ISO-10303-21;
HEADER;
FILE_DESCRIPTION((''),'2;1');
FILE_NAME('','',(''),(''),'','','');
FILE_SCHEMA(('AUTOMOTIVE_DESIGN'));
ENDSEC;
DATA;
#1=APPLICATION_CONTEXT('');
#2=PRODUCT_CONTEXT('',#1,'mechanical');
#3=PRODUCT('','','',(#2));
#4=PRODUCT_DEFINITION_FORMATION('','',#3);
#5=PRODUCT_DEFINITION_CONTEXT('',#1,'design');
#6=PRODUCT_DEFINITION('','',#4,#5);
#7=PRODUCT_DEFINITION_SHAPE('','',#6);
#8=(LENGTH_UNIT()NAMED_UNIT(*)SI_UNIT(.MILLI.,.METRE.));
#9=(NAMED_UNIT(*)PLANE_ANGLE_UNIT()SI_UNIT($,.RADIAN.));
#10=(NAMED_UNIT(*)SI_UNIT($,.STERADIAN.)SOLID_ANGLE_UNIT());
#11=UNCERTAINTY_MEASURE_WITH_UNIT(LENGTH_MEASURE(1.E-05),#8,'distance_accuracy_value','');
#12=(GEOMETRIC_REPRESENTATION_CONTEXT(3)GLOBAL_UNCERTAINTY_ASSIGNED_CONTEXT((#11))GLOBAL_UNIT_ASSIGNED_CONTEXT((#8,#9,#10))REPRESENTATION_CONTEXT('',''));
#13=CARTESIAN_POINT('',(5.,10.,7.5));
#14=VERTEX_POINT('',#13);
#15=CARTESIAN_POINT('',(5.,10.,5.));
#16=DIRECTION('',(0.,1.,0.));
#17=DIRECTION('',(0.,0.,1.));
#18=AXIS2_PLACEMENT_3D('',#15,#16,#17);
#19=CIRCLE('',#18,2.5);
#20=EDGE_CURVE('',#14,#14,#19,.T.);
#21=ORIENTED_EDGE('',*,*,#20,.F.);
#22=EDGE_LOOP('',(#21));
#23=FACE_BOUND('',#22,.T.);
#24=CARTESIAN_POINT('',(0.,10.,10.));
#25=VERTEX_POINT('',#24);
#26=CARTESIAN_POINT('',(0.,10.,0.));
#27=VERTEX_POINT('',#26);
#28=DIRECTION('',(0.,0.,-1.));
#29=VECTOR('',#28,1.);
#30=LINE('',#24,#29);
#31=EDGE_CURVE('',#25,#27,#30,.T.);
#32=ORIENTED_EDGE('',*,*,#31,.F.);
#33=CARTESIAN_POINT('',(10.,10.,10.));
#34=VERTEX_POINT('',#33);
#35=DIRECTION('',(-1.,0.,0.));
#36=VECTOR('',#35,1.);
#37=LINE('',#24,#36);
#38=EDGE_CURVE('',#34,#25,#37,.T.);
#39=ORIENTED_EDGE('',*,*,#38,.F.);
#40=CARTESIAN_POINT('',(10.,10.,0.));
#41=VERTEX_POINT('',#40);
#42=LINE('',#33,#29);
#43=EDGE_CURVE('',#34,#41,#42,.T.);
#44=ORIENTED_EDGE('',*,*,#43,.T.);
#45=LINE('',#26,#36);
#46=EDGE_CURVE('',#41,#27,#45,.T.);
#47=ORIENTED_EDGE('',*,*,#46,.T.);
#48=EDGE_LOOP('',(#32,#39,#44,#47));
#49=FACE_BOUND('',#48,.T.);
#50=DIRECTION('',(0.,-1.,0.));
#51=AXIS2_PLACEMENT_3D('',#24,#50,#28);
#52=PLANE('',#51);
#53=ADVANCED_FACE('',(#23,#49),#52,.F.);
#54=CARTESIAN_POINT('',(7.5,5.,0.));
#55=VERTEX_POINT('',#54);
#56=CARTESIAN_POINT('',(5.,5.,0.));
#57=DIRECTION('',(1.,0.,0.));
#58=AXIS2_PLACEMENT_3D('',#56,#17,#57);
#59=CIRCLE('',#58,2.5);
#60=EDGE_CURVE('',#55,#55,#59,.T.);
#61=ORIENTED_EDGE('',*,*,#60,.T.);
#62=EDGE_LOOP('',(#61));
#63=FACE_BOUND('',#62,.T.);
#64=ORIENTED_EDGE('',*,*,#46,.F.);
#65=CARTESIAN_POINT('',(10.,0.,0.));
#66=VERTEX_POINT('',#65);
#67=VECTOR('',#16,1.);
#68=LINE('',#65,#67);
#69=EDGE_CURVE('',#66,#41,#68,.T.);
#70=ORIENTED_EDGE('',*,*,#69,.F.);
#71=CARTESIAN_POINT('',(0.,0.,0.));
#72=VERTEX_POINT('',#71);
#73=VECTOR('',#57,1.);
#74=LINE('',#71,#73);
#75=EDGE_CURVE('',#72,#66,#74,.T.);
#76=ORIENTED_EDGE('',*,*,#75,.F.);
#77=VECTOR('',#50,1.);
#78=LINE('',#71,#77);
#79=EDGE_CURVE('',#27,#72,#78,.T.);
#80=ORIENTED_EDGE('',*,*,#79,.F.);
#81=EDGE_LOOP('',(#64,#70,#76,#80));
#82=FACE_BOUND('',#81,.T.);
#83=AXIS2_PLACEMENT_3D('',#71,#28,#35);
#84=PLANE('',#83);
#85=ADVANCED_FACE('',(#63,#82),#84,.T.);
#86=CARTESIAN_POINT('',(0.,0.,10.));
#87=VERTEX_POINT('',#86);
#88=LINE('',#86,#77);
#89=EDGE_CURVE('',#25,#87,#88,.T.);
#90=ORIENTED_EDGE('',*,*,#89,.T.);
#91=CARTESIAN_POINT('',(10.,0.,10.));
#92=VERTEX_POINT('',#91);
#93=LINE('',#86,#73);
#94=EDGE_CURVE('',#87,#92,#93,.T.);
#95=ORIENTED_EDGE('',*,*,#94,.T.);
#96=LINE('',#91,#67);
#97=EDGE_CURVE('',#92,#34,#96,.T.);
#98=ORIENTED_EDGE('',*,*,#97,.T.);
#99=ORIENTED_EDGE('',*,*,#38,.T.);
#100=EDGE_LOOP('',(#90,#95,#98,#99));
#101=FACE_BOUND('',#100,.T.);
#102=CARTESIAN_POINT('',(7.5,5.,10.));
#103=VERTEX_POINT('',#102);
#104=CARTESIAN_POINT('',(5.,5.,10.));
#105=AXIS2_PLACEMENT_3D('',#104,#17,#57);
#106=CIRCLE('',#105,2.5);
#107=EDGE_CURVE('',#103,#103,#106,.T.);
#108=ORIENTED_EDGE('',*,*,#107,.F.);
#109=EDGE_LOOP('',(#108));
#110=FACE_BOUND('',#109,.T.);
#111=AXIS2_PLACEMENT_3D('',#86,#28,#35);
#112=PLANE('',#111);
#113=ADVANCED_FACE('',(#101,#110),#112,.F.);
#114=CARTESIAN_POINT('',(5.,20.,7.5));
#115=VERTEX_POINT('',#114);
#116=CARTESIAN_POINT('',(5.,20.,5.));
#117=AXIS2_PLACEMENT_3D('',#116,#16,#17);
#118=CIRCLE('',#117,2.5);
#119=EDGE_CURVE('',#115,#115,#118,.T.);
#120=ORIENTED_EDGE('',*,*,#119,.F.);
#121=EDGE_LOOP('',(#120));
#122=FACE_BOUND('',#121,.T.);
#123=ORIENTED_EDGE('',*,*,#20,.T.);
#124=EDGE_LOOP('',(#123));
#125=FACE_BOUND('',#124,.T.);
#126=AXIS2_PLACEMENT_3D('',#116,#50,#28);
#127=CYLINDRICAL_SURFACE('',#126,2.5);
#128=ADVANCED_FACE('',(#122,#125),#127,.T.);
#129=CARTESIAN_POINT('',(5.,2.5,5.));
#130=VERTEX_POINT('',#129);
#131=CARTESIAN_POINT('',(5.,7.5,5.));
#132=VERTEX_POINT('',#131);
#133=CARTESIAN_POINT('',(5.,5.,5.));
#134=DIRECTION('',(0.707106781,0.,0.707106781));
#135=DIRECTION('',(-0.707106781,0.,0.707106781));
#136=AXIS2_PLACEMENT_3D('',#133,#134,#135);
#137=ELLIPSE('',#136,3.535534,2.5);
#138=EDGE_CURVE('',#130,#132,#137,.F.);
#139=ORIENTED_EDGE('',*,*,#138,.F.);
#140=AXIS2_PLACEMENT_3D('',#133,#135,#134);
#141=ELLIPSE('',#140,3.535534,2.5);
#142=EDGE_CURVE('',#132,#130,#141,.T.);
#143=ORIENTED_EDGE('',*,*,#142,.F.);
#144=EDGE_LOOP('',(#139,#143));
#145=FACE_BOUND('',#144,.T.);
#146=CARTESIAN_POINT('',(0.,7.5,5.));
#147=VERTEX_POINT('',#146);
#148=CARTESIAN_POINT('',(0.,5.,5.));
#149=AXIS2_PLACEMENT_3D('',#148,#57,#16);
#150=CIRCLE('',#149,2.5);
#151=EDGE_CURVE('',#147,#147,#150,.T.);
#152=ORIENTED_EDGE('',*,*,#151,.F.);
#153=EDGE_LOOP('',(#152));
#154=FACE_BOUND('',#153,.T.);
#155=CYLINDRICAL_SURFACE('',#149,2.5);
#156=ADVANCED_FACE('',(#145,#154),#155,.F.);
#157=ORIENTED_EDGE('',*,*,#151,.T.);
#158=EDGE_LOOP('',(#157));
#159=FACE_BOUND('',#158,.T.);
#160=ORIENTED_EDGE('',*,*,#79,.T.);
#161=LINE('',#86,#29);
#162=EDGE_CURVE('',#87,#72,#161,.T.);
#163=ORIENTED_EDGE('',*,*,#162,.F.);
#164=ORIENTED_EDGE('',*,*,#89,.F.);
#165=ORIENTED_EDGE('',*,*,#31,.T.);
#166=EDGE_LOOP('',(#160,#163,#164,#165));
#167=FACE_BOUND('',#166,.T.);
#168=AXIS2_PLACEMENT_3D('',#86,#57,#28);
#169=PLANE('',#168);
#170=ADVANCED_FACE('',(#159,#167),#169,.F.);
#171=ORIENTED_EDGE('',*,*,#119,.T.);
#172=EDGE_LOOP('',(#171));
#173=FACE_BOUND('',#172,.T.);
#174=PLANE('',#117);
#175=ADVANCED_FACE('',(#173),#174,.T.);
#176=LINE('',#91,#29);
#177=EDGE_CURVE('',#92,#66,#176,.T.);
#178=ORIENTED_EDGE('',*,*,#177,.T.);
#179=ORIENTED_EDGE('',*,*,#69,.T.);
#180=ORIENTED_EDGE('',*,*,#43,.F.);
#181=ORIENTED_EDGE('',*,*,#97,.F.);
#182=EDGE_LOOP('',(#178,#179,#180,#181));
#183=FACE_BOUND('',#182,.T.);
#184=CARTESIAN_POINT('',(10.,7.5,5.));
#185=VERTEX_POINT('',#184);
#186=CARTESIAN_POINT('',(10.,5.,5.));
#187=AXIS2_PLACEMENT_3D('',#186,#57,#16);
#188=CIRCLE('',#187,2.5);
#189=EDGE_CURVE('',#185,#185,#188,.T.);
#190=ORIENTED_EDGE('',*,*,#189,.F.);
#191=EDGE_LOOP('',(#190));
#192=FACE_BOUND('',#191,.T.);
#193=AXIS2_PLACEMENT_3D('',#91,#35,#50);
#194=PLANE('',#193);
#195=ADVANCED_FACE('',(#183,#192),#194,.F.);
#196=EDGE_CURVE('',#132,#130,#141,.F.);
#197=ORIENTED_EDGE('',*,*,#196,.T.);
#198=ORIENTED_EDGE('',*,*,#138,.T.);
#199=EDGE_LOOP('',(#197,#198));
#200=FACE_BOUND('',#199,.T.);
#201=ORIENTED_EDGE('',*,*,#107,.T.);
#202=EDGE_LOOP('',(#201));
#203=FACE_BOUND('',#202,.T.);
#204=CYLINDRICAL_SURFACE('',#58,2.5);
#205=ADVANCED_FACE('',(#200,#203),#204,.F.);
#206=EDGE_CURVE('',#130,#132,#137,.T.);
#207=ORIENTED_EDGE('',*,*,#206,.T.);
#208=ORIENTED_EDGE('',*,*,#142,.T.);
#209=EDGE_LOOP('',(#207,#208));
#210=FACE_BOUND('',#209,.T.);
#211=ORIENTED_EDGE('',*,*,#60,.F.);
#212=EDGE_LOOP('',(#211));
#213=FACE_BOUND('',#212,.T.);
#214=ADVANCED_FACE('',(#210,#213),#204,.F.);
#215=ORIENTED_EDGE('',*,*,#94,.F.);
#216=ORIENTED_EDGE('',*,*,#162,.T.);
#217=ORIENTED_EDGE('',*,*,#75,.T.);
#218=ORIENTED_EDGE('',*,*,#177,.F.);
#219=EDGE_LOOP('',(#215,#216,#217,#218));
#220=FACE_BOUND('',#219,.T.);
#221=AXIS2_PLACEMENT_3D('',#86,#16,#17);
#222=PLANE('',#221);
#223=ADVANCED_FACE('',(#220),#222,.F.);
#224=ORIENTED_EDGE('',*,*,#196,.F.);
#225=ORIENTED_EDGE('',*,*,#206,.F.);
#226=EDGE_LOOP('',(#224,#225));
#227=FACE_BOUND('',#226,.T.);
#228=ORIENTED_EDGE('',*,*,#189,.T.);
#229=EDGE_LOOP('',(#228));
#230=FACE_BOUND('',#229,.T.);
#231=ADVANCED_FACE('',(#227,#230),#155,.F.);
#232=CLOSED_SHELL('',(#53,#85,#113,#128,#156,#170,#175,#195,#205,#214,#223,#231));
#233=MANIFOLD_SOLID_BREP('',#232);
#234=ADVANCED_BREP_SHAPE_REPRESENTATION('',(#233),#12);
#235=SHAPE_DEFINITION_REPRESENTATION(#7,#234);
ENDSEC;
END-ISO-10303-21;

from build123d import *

# Parameters (mm, degrees)
SKETCH1_W           = 10
SKETCH1_H           = 10
BOSS_EXTRUDE1_DEPTH = 10
SKETCH2_R           = 2.5
BOSS_EXTRUDE2_DEPTH = 10
SKETCH3_R           = 2.5
CUT_EXTRUDE1_DEPTH  = 10
SKETCH4_R           = 2.5
CUT_EXTRUDE2_DEPTH  = 10


with BuildPart() as part:
    # Sketch1 → Boss-Extrude1 (new body)
    with BuildSketch(Plane.XY):
        with Locations((5, 5)):
            Rectangle(SKETCH1_W, SKETCH1_H)
    extrude(amount=BOSS_EXTRUDE1_DEPTH)

    # Sketch2 → Boss-Extrude2 (add)
    with BuildSketch(Plane(origin=(0, 10, 0), x_dir=(1, 0, 0), z_dir=(0, 1, 0))):
        with Locations(Location((5, -5, 0), (0, 0, 270))):
            Circle(SKETCH2_R)
    extrude(amount=BOSS_EXTRUDE2_DEPTH)

    # Sketch3 → Cut-Extrude1 (cut)
    with BuildSketch(Plane.XY.offset(10)):
        with Locations((5, 5)):
            Circle(SKETCH3_R)
    extrude(amount=-CUT_EXTRUDE1_DEPTH, mode=Mode.SUBTRACT)

    # Sketch4 → Cut-Extrude2 (cut)
    with BuildSketch(Plane(origin=(10, 0, 0), x_dir=(0, 0, -1), z_dir=(1, 0, 0))):
        with Locations(Location((-5, 5, 0), (0, 0, 90))):
            Circle(SKETCH4_R)
    extrude(amount=-CUT_EXTRUDE2_DEPTH, mode=Mode.SUBTRACT)


solid = part.part
